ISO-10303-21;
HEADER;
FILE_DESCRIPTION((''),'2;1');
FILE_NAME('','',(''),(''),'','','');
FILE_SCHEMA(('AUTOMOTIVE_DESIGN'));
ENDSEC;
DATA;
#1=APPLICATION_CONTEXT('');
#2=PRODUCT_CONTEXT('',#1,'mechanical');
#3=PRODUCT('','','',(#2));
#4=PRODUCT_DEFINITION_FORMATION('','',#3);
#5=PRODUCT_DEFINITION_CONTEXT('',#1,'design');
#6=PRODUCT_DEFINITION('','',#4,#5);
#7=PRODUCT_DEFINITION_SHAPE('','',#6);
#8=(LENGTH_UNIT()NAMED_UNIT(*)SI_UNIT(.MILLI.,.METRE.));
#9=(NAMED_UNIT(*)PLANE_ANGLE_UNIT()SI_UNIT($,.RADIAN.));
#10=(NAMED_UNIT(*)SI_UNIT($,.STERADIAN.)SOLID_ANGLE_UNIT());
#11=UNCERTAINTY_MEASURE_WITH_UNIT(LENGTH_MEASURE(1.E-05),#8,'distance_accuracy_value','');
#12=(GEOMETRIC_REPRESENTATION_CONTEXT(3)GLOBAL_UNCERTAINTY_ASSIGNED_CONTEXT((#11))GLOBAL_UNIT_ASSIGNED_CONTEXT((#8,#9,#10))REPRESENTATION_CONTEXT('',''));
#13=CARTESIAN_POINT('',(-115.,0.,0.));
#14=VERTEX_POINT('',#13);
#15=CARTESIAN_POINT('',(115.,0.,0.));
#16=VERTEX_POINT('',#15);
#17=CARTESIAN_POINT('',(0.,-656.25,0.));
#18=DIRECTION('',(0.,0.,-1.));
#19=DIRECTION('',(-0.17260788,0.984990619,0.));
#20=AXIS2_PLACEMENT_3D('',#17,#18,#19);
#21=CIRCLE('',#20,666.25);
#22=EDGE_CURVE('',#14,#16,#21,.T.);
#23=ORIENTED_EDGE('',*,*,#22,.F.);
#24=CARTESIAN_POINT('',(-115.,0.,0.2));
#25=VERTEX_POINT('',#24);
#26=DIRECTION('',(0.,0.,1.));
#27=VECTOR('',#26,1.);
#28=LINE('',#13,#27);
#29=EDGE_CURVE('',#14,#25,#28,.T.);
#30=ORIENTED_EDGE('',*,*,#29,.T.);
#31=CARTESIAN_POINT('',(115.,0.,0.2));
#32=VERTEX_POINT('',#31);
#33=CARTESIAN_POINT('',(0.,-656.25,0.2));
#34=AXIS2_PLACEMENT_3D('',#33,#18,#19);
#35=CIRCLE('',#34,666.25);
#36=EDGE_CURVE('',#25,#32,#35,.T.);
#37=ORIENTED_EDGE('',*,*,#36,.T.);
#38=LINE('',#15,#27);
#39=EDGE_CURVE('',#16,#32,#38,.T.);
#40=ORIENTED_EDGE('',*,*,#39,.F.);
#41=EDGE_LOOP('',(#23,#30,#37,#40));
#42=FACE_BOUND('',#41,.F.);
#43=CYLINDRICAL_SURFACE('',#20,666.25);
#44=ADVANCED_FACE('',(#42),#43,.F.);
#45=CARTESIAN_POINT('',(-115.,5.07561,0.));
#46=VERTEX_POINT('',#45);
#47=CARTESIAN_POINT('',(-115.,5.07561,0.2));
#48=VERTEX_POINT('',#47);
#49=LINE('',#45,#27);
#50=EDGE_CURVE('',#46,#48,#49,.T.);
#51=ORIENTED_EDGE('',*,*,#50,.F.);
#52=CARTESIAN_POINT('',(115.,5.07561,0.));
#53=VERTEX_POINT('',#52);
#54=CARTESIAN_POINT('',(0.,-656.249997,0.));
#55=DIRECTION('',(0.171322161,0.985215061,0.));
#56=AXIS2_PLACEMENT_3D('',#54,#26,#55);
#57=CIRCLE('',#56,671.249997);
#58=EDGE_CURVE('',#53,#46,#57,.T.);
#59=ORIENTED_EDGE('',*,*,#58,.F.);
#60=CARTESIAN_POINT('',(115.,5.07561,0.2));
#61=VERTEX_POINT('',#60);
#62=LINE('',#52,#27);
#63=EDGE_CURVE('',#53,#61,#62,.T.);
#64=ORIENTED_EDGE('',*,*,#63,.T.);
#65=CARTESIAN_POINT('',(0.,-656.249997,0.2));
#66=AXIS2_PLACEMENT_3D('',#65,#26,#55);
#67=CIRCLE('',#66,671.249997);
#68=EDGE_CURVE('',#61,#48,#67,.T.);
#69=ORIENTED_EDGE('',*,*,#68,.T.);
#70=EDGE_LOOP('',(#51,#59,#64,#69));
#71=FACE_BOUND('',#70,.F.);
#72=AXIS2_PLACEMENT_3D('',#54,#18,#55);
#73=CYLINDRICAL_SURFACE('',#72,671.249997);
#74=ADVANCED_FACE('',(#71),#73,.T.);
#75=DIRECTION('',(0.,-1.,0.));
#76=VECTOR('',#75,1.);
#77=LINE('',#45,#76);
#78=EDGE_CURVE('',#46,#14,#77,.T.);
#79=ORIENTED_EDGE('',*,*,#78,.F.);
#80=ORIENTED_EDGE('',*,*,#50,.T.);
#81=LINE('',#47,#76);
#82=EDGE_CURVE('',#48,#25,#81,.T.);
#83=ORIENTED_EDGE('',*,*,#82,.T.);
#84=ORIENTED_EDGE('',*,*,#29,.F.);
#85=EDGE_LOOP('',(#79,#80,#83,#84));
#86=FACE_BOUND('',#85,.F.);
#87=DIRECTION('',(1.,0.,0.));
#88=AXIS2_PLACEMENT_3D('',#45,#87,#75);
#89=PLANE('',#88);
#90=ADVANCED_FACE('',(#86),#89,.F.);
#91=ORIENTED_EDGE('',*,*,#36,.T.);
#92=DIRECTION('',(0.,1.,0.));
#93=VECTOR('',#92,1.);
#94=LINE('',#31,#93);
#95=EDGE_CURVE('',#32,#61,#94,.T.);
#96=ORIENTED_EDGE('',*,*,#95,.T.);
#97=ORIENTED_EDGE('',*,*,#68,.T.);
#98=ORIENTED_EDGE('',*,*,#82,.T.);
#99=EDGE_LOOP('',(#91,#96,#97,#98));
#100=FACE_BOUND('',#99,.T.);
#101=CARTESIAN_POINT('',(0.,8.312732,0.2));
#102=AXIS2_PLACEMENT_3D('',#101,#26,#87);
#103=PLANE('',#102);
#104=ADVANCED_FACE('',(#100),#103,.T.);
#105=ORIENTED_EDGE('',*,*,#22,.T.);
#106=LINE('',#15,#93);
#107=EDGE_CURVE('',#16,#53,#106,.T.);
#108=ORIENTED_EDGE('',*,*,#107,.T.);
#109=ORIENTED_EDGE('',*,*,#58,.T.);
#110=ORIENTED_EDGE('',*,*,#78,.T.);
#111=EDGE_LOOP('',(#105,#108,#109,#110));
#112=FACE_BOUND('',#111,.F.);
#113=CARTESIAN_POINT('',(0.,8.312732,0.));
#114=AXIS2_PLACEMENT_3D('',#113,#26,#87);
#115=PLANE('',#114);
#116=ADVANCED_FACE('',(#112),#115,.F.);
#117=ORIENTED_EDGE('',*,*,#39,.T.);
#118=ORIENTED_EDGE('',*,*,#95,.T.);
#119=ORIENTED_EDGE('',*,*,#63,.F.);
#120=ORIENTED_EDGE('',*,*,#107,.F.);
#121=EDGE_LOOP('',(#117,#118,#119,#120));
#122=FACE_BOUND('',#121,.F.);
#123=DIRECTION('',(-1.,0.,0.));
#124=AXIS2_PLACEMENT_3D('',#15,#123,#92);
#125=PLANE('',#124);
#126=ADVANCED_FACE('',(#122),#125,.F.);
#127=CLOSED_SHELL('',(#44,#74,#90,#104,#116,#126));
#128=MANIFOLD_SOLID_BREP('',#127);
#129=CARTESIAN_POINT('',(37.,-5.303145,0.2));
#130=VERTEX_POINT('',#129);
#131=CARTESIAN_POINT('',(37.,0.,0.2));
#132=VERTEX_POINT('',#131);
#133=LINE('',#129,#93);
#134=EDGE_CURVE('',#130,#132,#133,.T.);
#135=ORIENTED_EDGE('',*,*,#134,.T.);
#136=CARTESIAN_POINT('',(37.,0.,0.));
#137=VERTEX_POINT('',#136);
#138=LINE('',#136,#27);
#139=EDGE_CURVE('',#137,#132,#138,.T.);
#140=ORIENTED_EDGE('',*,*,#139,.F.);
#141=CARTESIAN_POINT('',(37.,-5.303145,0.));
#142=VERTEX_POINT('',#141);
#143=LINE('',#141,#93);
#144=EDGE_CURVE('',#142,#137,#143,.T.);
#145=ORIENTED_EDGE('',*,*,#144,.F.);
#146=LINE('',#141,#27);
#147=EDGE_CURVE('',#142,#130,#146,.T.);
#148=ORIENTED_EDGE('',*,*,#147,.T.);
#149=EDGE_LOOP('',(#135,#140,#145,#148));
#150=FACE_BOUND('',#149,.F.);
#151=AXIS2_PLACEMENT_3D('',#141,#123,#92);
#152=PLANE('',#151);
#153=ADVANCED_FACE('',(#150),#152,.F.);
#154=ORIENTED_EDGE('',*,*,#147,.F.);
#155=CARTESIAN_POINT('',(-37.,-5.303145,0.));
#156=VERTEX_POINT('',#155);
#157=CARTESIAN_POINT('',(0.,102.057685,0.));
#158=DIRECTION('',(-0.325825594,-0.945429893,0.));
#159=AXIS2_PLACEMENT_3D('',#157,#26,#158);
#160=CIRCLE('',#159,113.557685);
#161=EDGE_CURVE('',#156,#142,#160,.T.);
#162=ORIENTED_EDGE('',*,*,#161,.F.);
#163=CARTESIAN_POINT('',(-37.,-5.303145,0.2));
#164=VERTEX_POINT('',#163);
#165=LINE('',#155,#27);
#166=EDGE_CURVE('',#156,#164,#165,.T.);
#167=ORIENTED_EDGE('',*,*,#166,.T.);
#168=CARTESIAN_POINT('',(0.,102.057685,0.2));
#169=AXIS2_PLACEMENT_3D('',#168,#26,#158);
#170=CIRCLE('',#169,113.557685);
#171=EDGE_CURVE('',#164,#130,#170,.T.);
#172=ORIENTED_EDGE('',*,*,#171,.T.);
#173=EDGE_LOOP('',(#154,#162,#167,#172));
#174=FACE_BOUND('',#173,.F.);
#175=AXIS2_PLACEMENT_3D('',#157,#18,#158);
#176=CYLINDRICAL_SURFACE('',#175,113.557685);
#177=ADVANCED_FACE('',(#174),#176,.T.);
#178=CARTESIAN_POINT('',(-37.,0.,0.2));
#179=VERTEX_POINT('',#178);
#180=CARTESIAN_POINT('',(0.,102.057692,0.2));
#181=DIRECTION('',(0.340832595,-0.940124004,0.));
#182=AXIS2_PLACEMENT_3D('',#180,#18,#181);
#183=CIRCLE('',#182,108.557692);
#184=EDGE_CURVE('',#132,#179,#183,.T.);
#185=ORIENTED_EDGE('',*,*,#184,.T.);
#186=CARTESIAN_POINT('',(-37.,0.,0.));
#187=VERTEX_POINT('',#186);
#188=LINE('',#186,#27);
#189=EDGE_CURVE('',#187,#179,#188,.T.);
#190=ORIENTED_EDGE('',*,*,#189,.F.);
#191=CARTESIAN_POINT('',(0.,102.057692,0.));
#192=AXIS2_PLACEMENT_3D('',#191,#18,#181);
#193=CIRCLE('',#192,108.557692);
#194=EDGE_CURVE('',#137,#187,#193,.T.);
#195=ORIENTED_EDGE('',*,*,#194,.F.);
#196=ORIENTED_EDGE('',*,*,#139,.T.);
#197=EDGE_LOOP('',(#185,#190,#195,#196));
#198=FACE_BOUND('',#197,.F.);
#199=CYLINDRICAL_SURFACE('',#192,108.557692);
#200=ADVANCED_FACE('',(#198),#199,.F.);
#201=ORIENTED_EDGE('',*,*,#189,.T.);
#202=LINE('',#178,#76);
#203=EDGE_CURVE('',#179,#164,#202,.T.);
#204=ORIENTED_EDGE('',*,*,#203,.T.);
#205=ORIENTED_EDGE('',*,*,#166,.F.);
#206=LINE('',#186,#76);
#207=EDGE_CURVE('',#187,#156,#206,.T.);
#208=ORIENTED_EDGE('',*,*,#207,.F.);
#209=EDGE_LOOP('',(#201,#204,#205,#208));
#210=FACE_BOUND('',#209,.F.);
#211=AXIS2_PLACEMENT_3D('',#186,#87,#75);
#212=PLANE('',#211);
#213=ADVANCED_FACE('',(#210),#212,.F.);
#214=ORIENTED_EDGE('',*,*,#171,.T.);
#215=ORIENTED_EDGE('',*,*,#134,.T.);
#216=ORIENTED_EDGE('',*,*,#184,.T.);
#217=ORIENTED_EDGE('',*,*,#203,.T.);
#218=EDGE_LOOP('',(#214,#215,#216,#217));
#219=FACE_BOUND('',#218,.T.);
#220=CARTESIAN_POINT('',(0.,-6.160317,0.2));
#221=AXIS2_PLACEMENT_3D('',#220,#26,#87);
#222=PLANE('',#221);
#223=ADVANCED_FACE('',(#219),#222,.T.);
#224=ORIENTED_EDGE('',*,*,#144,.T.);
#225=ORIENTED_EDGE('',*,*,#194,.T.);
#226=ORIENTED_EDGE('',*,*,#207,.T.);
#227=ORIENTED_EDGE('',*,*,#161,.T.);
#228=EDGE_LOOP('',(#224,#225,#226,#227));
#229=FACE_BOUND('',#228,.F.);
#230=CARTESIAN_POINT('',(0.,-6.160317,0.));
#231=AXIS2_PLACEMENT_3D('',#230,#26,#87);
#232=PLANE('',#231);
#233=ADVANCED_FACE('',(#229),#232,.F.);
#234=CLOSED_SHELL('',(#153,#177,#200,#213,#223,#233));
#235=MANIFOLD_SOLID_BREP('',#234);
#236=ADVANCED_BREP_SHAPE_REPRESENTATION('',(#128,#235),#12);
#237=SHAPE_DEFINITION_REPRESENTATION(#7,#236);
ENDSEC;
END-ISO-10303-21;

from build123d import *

# Parameters (mm, degrees)
F1_DEPTH = 0.2
F3_DEPTH = 0.2


with BuildPart() as f1:
    # F0 (on Top) → F1 (new body)
    with BuildSketch(Plane.XY):
        with BuildLine():
            ThreePointArc((-115, 0), (0, 10), (115, 0))
            Line((115, 0), (115, 5.07561))
            ThreePointArc((115, 5.07561), (0, 15), (-115, 5.07561))
            Line((-115, 5.07561), (-115, 0))
        make_face()
    extrude(amount=F1_DEPTH)


with BuildPart() as f3:
    # F2 (on Top) → F3 (new body)
    with BuildSketch(Plane.XY):
        with BuildLine():
            ThreePointArc((37, 0), (0, -6.5), (-37, 0))
            Line((-37, 0), (-37, -5.303145))
            ThreePointArc((-37, -5.303145), (0, -11.5), (37, -5.303145))
            Line((37, -5.303145), (37, 0))
        make_face()
    extrude(amount=F3_DEPTH)


solid = Compound([f1.part, f3.part])
